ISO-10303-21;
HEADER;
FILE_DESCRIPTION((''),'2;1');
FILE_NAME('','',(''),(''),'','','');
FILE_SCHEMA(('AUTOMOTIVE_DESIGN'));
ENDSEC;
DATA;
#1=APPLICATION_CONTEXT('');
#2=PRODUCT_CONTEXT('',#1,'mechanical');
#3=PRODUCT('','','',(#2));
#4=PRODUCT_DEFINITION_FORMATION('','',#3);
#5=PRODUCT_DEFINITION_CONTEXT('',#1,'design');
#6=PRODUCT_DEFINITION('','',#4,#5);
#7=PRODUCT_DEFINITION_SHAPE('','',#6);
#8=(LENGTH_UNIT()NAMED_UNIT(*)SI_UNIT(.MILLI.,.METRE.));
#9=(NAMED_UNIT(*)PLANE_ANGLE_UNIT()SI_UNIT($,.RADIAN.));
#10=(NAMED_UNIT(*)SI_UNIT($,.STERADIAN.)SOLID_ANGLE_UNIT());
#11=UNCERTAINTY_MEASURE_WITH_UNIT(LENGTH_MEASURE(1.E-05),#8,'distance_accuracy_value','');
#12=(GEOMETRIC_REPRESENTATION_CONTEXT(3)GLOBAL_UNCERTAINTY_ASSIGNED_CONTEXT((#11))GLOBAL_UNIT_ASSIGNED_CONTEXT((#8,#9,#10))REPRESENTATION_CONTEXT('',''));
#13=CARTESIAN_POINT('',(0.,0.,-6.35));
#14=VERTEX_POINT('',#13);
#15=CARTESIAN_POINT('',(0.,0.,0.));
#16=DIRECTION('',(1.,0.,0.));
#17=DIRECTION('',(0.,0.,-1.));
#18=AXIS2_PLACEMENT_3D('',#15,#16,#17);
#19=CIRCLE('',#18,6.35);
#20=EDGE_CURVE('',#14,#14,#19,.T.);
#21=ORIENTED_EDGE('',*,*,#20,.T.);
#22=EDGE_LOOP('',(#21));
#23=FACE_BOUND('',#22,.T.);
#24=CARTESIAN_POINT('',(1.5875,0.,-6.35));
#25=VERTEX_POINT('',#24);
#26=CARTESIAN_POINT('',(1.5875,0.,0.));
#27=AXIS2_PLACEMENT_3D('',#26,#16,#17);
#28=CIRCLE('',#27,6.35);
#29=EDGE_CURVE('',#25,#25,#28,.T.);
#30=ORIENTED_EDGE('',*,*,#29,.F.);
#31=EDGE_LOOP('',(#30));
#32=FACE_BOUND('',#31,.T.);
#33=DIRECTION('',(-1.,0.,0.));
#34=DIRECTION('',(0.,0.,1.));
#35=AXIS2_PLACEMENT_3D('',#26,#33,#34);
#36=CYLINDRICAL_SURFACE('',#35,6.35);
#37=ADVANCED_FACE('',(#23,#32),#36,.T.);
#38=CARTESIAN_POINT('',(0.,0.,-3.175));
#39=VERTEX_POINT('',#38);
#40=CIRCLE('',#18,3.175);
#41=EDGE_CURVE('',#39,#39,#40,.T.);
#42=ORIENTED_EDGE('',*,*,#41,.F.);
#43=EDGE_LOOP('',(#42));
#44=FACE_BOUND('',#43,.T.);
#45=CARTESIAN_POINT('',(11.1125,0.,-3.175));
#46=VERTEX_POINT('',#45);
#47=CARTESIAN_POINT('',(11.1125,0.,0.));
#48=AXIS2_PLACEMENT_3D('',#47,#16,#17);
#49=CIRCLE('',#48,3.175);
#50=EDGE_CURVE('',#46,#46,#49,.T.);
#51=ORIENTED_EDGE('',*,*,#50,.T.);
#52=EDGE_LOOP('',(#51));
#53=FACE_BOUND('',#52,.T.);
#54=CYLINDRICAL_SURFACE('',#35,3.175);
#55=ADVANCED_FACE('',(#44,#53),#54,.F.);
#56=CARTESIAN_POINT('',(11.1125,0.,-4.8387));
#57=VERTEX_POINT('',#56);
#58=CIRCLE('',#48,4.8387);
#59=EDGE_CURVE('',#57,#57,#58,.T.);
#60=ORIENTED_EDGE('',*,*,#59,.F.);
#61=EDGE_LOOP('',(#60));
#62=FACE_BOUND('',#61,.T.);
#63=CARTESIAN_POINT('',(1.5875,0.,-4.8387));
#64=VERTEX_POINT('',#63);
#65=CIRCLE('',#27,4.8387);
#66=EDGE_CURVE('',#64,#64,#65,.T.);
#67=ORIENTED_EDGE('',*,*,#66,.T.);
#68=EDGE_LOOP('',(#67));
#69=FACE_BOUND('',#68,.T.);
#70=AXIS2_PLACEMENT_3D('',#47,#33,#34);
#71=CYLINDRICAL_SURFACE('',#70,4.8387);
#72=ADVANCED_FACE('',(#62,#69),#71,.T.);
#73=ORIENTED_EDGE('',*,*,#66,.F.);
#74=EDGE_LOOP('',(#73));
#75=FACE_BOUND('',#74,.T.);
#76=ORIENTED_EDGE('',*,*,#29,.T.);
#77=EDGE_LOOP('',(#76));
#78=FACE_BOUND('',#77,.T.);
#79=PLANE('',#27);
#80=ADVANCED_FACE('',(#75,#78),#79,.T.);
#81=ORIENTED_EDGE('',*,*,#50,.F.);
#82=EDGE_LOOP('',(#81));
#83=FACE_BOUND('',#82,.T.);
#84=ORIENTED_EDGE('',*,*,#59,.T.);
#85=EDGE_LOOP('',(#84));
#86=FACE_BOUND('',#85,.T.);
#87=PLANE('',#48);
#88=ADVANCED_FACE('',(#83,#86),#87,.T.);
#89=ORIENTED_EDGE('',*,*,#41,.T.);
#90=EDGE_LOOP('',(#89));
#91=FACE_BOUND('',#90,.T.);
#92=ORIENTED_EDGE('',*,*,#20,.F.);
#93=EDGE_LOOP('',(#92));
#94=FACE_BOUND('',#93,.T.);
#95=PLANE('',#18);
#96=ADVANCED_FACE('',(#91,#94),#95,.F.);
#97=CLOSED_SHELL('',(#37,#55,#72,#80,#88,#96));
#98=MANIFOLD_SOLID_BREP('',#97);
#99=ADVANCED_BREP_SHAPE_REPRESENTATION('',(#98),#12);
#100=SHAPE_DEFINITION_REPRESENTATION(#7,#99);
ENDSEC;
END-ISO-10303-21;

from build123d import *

# Parameters (mm, degrees)
SKETCH1_R           = 6.35
SKETCH1_R_2         = 3.175
BOSS_EXTRUDE1_DEPTH = 1.5875
SKETCH2_R           = 4.8387
SKETCH2_R_2         = 3.175
BOSS_EXTRUDE2_DEPTH = 9.525


with BuildPart() as part:
    # Sketch1 → Boss-Extrude1 (new body)
    with BuildSketch(Plane(origin=(0, 0, 0), x_dir=(0, 0, -1), z_dir=(1, 0, 0))):
        Circle(SKETCH1_R)
        Circle(SKETCH1_R_2, mode=Mode.SUBTRACT)
    extrude(amount=BOSS_EXTRUDE1_DEPTH)

    # Sketch2 → Boss-Extrude2 (add)
    with BuildSketch(Plane(origin=(1.5875, 0, 0), x_dir=(0, 0, -1), z_dir=(1, 0, 0))):
        Circle(SKETCH2_R)
        Circle(SKETCH2_R_2, mode=Mode.SUBTRACT)
    extrude(amount=BOSS_EXTRUDE2_DEPTH)


solid = part.part
